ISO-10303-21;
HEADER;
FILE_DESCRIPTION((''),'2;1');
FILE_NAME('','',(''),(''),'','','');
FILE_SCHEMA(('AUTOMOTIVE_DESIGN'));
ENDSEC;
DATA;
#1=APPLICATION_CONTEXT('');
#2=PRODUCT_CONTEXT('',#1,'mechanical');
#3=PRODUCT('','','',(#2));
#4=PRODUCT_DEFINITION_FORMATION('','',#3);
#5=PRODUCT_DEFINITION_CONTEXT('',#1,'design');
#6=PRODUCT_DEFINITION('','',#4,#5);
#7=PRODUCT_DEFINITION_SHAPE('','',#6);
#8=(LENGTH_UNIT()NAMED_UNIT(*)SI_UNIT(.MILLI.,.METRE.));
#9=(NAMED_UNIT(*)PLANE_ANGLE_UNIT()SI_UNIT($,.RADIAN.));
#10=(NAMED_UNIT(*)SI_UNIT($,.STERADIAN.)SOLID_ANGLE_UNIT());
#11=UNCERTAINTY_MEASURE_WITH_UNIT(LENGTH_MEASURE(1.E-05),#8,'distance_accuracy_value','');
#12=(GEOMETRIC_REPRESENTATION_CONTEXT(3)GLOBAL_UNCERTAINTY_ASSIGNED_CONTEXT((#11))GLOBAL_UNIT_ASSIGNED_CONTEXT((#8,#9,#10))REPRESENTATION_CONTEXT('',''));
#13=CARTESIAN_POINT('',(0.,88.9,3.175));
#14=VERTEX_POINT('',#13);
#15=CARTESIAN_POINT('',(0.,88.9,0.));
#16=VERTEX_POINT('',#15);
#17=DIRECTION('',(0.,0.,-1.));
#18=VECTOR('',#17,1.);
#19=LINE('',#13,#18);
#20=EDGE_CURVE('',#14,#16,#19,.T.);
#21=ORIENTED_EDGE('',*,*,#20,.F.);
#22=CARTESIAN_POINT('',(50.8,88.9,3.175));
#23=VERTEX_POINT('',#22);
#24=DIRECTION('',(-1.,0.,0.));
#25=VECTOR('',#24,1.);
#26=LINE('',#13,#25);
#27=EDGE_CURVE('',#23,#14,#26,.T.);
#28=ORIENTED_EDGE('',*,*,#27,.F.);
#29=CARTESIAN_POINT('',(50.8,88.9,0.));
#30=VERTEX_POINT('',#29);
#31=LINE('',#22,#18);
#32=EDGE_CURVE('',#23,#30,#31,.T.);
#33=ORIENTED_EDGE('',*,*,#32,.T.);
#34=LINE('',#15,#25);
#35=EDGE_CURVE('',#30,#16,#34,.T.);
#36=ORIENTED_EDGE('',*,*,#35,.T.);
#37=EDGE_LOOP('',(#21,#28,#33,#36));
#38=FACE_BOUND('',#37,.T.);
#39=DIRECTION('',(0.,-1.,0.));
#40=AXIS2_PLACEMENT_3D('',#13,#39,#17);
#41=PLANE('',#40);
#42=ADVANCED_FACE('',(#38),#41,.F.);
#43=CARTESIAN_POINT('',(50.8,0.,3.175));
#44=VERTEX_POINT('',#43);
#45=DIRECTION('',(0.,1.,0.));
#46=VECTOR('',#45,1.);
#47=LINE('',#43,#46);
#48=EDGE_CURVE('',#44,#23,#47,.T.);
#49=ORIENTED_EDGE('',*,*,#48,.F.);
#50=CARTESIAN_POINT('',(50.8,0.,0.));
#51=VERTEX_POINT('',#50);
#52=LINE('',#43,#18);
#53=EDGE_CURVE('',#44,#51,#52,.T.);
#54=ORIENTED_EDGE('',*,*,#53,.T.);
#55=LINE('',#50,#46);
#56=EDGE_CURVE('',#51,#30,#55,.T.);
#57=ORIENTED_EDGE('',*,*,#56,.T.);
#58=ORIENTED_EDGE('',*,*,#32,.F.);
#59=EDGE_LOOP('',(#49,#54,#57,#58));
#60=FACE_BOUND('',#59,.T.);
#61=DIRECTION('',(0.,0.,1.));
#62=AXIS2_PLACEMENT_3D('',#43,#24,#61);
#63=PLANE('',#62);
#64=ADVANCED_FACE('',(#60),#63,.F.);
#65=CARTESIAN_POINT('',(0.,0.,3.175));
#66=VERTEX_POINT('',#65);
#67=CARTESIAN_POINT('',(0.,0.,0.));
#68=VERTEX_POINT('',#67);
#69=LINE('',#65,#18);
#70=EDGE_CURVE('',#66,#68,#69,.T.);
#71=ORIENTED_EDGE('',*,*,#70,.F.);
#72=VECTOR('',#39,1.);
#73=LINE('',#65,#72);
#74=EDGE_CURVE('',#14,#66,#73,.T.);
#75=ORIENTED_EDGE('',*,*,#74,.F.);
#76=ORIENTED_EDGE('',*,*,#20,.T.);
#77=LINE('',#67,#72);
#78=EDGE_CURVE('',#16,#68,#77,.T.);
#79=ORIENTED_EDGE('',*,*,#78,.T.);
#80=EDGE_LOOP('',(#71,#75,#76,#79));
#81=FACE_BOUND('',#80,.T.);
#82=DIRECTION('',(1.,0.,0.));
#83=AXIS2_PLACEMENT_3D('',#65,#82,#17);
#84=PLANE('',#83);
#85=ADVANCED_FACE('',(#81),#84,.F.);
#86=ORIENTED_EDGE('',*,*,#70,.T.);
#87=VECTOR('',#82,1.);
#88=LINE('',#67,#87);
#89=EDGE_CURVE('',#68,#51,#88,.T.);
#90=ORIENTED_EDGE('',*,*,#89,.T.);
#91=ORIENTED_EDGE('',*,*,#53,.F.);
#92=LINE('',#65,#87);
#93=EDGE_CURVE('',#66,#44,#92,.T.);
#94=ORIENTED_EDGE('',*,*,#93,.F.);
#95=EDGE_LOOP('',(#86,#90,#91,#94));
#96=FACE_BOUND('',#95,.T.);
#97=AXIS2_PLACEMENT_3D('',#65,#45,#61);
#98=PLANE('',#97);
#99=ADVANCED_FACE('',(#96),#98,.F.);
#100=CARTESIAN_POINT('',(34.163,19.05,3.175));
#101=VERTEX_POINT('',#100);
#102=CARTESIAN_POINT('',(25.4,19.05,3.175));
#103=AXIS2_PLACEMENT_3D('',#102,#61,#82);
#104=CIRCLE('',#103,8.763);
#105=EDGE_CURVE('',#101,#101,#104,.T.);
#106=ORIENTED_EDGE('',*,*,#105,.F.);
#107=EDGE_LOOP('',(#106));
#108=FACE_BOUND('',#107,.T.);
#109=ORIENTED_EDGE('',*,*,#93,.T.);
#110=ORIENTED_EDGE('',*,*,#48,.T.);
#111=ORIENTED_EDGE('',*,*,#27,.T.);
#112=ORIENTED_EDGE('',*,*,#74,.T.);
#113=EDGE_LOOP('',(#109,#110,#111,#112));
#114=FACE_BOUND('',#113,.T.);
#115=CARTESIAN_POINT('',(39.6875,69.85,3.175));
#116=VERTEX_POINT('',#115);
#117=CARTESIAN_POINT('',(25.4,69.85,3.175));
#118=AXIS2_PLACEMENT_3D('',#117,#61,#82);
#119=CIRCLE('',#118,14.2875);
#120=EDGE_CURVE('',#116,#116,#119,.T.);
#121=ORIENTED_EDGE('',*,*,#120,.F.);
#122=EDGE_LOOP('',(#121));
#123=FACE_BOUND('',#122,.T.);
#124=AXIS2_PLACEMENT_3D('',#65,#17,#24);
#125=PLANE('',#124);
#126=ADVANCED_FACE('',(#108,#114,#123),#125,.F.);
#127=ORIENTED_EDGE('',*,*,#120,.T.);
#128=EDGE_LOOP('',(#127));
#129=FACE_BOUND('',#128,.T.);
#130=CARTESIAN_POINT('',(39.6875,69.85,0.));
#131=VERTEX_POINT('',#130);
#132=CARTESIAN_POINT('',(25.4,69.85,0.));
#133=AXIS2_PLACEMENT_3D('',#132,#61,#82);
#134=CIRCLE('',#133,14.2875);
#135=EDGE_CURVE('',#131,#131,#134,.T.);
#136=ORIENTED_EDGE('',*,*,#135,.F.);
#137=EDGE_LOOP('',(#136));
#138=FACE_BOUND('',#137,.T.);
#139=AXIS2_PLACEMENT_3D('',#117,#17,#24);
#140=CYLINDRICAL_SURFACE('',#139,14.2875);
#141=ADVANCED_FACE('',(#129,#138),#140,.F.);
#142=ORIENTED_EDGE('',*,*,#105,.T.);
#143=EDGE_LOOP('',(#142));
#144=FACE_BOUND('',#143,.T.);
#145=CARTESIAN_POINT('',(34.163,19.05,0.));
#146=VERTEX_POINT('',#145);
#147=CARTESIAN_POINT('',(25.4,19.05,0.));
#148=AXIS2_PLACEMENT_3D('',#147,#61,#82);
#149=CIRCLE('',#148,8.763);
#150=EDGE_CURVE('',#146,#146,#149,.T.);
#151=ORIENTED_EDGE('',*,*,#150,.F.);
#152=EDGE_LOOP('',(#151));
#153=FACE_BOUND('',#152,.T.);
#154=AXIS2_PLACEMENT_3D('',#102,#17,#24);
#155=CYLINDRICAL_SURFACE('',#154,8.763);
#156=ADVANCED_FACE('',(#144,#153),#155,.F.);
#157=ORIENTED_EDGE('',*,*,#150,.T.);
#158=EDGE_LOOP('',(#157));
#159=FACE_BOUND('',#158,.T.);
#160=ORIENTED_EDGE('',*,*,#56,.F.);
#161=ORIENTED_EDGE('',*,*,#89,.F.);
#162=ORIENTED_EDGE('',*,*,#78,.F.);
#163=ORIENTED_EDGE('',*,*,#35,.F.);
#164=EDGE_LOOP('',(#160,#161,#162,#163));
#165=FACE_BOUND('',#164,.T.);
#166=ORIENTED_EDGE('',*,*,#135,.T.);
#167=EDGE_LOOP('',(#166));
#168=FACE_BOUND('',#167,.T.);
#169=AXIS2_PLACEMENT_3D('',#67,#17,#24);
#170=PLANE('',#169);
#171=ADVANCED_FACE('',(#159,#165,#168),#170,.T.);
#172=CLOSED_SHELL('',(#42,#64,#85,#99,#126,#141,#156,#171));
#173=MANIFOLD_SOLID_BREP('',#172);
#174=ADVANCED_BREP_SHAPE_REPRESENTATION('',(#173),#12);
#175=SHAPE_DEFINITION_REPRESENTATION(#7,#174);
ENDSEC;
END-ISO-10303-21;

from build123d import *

# Parameters (mm, degrees)
SKETCH1_W           = 50.8
SKETCH1_H           = 88.9
SKETCH1_R           = 14.2875
SKETCH1_R_2         = 8.763
BOSS_EXTRUDE1_DEPTH = 3.175


with BuildPart() as part:
    # Sketch1 → Boss-Extrude1 (new body)
    with BuildSketch(Plane.XY):
        with Locations((25.4, 44.45)):
            Rectangle(SKETCH1_W, SKETCH1_H)
        with Locations((25.4, 69.85)):
            Circle(SKETCH1_R, mode=Mode.SUBTRACT)
        with Locations((25.4, 19.05)):
            Circle(SKETCH1_R_2, mode=Mode.SUBTRACT)
    extrude(amount=BOSS_EXTRUDE1_DEPTH)


solid = part.part
